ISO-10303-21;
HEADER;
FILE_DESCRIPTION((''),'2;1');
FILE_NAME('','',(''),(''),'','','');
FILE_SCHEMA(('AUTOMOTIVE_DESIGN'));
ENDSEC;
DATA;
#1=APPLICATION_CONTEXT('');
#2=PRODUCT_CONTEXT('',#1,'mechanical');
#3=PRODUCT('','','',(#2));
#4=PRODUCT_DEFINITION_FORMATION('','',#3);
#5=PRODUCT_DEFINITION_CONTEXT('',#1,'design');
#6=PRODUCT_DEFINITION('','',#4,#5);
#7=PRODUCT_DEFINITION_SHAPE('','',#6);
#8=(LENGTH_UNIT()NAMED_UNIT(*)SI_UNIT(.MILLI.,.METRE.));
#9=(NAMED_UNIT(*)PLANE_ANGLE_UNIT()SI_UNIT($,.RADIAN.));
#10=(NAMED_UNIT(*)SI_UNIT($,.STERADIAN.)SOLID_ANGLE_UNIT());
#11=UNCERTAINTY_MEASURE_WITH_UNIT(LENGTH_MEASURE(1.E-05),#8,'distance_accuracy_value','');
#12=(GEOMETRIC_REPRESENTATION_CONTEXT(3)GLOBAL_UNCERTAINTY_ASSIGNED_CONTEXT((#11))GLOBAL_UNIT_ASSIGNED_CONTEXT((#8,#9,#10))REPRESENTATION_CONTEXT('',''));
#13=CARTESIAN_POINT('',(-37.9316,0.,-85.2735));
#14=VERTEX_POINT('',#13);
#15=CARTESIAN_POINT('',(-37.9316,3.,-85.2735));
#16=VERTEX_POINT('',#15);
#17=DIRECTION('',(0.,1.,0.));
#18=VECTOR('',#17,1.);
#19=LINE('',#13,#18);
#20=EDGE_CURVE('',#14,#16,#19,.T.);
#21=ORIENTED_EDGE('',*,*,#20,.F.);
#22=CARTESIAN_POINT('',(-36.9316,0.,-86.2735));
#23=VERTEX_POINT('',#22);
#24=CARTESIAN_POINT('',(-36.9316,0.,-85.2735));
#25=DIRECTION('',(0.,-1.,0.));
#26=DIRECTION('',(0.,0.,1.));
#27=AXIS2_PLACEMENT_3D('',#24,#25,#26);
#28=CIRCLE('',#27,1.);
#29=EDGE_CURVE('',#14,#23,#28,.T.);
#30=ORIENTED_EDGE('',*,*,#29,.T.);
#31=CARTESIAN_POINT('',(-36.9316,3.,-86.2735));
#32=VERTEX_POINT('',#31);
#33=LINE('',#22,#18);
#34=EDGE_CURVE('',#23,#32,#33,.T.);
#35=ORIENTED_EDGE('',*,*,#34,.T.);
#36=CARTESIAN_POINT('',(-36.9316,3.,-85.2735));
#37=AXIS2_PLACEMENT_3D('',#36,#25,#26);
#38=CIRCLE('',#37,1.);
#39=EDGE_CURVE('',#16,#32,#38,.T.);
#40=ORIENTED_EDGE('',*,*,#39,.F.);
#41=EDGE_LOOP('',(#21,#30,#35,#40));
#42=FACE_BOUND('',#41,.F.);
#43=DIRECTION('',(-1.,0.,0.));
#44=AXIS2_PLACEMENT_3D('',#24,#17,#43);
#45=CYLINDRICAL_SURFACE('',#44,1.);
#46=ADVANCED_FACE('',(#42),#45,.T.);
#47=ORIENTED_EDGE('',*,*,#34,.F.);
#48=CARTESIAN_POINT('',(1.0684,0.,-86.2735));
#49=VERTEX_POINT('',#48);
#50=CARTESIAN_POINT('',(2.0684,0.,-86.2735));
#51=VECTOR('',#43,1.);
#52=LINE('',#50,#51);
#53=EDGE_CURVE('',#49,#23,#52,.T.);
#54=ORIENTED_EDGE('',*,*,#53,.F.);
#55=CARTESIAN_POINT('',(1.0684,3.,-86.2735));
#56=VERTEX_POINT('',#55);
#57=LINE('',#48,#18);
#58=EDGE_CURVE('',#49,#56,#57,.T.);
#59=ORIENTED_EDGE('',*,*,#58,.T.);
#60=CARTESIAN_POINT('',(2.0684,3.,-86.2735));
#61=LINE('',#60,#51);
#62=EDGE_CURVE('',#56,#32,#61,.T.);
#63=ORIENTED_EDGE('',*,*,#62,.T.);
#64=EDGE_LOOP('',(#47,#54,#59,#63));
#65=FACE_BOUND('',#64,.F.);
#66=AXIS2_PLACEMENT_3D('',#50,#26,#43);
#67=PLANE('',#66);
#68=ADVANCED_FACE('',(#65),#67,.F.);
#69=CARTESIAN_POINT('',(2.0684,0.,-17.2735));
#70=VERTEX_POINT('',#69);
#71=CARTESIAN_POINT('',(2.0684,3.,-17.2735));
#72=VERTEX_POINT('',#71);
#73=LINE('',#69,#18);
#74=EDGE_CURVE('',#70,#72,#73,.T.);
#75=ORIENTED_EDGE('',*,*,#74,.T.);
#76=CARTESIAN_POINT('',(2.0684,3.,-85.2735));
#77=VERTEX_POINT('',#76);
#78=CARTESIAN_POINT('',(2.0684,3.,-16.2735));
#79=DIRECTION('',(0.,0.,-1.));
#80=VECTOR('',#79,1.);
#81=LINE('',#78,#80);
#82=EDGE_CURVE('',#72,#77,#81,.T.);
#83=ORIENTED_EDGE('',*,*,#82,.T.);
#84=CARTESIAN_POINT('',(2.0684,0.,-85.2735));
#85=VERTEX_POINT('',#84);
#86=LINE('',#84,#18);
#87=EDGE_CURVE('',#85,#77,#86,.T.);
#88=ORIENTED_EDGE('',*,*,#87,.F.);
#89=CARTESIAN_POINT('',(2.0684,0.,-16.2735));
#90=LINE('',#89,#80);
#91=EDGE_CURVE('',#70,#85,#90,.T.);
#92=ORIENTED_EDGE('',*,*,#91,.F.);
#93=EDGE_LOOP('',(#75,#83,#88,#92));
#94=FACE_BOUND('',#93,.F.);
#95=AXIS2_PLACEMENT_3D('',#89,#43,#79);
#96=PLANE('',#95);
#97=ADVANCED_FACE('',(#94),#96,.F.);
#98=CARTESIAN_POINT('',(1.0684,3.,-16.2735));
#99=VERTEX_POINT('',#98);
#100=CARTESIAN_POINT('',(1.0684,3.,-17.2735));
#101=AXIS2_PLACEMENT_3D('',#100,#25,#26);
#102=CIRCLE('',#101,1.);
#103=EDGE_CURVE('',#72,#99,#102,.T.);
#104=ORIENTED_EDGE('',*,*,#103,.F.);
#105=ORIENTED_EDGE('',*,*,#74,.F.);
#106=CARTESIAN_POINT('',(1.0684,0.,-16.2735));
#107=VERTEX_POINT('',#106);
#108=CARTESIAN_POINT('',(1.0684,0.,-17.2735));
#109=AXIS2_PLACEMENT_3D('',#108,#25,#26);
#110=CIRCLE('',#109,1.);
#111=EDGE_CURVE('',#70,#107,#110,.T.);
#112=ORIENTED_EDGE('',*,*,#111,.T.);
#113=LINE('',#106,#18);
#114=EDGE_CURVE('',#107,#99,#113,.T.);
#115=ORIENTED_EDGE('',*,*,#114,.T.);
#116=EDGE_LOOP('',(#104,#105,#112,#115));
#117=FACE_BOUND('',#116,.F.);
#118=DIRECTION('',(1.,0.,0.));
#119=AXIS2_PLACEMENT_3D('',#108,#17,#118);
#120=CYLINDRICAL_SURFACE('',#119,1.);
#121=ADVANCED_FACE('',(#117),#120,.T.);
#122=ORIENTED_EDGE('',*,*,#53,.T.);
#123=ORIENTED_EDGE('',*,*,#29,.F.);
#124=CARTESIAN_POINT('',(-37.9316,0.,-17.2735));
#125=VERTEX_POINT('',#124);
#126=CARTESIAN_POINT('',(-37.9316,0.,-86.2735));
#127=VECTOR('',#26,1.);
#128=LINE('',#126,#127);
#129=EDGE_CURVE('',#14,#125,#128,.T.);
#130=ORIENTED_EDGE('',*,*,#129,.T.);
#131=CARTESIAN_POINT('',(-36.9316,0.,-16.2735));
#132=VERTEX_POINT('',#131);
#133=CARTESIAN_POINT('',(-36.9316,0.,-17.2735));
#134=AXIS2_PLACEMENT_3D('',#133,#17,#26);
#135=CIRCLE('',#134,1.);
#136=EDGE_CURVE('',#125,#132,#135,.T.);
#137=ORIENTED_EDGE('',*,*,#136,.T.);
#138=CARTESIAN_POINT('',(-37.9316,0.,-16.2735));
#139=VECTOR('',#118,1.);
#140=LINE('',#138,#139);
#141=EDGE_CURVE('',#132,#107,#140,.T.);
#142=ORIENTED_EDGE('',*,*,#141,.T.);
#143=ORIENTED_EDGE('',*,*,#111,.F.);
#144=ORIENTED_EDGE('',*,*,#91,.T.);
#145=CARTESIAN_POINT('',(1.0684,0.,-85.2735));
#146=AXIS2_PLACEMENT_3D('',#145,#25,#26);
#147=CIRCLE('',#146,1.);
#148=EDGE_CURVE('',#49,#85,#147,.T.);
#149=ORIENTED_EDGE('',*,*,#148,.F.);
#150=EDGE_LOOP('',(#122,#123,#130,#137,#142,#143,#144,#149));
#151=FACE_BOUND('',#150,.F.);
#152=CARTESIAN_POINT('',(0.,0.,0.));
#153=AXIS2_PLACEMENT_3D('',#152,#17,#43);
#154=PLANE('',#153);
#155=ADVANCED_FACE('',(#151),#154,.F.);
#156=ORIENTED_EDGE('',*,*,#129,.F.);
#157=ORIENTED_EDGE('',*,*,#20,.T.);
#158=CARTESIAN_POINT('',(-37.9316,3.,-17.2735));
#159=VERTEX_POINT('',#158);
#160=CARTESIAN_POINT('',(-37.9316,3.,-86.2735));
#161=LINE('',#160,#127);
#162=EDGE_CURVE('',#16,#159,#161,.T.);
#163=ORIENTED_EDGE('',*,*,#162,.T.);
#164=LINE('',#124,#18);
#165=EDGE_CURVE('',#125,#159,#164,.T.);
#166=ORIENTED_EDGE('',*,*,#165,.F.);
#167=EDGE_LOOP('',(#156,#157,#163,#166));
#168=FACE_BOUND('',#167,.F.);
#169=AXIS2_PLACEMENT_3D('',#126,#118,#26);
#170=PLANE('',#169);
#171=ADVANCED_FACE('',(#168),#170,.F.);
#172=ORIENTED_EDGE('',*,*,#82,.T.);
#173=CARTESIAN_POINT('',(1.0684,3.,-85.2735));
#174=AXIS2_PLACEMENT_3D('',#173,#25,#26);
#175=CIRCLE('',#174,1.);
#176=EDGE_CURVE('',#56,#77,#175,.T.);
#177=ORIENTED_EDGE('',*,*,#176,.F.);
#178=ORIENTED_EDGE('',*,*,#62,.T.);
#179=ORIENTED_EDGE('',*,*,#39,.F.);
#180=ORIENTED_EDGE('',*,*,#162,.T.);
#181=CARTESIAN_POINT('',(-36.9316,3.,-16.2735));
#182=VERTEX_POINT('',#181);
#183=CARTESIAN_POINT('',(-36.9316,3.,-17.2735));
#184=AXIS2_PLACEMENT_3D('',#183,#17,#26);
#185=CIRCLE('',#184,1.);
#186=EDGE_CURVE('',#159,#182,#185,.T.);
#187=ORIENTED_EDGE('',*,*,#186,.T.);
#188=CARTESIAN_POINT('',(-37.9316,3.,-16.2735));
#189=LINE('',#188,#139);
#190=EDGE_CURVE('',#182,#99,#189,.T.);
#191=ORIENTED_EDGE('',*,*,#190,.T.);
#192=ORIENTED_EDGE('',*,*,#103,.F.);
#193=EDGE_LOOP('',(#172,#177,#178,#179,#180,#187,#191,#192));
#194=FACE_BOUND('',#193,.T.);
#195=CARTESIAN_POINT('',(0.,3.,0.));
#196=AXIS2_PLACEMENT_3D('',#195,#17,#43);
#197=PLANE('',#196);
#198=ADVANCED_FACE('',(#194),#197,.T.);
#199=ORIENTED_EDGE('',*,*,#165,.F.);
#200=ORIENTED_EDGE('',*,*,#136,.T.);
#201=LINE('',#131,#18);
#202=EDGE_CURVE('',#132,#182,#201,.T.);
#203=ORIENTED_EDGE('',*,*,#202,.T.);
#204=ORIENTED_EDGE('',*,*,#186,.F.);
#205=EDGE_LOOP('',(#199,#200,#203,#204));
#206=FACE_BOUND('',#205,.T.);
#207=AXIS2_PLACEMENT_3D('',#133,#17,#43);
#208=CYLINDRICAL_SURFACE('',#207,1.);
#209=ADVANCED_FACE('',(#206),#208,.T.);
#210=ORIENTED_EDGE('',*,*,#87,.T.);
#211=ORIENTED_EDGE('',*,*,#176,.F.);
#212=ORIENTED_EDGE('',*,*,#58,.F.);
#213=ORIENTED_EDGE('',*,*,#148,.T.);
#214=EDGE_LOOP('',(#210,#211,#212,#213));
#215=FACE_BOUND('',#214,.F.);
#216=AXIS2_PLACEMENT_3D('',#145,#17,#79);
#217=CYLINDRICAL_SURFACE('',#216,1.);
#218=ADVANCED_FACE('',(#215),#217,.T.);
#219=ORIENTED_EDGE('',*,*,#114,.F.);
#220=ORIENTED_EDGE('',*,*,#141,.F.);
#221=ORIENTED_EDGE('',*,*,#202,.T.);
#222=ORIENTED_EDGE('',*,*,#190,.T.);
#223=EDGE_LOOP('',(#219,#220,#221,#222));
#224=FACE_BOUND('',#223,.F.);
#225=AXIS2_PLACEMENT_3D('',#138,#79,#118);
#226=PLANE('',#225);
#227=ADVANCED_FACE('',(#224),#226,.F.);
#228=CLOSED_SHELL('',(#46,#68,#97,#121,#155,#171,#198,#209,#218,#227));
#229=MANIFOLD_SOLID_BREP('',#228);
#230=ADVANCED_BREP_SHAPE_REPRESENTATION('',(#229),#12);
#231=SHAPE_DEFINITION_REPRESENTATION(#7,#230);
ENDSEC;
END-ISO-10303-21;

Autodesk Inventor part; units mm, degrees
ref_plane "YZ Plane" through (0, 0, 0) normal (1, 0, 0) x (0, 1, 0)
ref_plane "XZ Plane" through (0, 0, 0) normal (0, 1, 0) x (-1, 0, 0)
ref_plane "XY Plane" through (0, 0, 0) normal (0, 0, 1) x (1, 0, 0)
sketch "Skizze1" plane through (0, 0, 0) normal (0, 1, 0) x (-1, 0, 0)
  line L0 (37.9316, -16.2735) -> (-2.0684, -16.2735)
  line L1 (-2.0684, -16.2735) -> (-2.0684, -86.2735)
  line L2 (-2.0684, -86.2735) -> (37.9316, -86.2735)
  line L3 (37.9316, -86.2735) -> (37.9316, -16.2735)
  point P0 (0, 0)
  dimension "d0" = 70
  dimension "d1" = 40
extrude "Extrusion1" add sketch "Skizze1" along normal blind 3
fillet "Rundung1" radius 1 4 edges at (-37.9316, 1.5, -16.2735) (-37.9316, 1.5, -86.2735) (2.0684, 1.5, -86.2735) (2.0684, 1.5, -16.2735)
properties part number "Spielstraßenschild_Teil_Oben"
